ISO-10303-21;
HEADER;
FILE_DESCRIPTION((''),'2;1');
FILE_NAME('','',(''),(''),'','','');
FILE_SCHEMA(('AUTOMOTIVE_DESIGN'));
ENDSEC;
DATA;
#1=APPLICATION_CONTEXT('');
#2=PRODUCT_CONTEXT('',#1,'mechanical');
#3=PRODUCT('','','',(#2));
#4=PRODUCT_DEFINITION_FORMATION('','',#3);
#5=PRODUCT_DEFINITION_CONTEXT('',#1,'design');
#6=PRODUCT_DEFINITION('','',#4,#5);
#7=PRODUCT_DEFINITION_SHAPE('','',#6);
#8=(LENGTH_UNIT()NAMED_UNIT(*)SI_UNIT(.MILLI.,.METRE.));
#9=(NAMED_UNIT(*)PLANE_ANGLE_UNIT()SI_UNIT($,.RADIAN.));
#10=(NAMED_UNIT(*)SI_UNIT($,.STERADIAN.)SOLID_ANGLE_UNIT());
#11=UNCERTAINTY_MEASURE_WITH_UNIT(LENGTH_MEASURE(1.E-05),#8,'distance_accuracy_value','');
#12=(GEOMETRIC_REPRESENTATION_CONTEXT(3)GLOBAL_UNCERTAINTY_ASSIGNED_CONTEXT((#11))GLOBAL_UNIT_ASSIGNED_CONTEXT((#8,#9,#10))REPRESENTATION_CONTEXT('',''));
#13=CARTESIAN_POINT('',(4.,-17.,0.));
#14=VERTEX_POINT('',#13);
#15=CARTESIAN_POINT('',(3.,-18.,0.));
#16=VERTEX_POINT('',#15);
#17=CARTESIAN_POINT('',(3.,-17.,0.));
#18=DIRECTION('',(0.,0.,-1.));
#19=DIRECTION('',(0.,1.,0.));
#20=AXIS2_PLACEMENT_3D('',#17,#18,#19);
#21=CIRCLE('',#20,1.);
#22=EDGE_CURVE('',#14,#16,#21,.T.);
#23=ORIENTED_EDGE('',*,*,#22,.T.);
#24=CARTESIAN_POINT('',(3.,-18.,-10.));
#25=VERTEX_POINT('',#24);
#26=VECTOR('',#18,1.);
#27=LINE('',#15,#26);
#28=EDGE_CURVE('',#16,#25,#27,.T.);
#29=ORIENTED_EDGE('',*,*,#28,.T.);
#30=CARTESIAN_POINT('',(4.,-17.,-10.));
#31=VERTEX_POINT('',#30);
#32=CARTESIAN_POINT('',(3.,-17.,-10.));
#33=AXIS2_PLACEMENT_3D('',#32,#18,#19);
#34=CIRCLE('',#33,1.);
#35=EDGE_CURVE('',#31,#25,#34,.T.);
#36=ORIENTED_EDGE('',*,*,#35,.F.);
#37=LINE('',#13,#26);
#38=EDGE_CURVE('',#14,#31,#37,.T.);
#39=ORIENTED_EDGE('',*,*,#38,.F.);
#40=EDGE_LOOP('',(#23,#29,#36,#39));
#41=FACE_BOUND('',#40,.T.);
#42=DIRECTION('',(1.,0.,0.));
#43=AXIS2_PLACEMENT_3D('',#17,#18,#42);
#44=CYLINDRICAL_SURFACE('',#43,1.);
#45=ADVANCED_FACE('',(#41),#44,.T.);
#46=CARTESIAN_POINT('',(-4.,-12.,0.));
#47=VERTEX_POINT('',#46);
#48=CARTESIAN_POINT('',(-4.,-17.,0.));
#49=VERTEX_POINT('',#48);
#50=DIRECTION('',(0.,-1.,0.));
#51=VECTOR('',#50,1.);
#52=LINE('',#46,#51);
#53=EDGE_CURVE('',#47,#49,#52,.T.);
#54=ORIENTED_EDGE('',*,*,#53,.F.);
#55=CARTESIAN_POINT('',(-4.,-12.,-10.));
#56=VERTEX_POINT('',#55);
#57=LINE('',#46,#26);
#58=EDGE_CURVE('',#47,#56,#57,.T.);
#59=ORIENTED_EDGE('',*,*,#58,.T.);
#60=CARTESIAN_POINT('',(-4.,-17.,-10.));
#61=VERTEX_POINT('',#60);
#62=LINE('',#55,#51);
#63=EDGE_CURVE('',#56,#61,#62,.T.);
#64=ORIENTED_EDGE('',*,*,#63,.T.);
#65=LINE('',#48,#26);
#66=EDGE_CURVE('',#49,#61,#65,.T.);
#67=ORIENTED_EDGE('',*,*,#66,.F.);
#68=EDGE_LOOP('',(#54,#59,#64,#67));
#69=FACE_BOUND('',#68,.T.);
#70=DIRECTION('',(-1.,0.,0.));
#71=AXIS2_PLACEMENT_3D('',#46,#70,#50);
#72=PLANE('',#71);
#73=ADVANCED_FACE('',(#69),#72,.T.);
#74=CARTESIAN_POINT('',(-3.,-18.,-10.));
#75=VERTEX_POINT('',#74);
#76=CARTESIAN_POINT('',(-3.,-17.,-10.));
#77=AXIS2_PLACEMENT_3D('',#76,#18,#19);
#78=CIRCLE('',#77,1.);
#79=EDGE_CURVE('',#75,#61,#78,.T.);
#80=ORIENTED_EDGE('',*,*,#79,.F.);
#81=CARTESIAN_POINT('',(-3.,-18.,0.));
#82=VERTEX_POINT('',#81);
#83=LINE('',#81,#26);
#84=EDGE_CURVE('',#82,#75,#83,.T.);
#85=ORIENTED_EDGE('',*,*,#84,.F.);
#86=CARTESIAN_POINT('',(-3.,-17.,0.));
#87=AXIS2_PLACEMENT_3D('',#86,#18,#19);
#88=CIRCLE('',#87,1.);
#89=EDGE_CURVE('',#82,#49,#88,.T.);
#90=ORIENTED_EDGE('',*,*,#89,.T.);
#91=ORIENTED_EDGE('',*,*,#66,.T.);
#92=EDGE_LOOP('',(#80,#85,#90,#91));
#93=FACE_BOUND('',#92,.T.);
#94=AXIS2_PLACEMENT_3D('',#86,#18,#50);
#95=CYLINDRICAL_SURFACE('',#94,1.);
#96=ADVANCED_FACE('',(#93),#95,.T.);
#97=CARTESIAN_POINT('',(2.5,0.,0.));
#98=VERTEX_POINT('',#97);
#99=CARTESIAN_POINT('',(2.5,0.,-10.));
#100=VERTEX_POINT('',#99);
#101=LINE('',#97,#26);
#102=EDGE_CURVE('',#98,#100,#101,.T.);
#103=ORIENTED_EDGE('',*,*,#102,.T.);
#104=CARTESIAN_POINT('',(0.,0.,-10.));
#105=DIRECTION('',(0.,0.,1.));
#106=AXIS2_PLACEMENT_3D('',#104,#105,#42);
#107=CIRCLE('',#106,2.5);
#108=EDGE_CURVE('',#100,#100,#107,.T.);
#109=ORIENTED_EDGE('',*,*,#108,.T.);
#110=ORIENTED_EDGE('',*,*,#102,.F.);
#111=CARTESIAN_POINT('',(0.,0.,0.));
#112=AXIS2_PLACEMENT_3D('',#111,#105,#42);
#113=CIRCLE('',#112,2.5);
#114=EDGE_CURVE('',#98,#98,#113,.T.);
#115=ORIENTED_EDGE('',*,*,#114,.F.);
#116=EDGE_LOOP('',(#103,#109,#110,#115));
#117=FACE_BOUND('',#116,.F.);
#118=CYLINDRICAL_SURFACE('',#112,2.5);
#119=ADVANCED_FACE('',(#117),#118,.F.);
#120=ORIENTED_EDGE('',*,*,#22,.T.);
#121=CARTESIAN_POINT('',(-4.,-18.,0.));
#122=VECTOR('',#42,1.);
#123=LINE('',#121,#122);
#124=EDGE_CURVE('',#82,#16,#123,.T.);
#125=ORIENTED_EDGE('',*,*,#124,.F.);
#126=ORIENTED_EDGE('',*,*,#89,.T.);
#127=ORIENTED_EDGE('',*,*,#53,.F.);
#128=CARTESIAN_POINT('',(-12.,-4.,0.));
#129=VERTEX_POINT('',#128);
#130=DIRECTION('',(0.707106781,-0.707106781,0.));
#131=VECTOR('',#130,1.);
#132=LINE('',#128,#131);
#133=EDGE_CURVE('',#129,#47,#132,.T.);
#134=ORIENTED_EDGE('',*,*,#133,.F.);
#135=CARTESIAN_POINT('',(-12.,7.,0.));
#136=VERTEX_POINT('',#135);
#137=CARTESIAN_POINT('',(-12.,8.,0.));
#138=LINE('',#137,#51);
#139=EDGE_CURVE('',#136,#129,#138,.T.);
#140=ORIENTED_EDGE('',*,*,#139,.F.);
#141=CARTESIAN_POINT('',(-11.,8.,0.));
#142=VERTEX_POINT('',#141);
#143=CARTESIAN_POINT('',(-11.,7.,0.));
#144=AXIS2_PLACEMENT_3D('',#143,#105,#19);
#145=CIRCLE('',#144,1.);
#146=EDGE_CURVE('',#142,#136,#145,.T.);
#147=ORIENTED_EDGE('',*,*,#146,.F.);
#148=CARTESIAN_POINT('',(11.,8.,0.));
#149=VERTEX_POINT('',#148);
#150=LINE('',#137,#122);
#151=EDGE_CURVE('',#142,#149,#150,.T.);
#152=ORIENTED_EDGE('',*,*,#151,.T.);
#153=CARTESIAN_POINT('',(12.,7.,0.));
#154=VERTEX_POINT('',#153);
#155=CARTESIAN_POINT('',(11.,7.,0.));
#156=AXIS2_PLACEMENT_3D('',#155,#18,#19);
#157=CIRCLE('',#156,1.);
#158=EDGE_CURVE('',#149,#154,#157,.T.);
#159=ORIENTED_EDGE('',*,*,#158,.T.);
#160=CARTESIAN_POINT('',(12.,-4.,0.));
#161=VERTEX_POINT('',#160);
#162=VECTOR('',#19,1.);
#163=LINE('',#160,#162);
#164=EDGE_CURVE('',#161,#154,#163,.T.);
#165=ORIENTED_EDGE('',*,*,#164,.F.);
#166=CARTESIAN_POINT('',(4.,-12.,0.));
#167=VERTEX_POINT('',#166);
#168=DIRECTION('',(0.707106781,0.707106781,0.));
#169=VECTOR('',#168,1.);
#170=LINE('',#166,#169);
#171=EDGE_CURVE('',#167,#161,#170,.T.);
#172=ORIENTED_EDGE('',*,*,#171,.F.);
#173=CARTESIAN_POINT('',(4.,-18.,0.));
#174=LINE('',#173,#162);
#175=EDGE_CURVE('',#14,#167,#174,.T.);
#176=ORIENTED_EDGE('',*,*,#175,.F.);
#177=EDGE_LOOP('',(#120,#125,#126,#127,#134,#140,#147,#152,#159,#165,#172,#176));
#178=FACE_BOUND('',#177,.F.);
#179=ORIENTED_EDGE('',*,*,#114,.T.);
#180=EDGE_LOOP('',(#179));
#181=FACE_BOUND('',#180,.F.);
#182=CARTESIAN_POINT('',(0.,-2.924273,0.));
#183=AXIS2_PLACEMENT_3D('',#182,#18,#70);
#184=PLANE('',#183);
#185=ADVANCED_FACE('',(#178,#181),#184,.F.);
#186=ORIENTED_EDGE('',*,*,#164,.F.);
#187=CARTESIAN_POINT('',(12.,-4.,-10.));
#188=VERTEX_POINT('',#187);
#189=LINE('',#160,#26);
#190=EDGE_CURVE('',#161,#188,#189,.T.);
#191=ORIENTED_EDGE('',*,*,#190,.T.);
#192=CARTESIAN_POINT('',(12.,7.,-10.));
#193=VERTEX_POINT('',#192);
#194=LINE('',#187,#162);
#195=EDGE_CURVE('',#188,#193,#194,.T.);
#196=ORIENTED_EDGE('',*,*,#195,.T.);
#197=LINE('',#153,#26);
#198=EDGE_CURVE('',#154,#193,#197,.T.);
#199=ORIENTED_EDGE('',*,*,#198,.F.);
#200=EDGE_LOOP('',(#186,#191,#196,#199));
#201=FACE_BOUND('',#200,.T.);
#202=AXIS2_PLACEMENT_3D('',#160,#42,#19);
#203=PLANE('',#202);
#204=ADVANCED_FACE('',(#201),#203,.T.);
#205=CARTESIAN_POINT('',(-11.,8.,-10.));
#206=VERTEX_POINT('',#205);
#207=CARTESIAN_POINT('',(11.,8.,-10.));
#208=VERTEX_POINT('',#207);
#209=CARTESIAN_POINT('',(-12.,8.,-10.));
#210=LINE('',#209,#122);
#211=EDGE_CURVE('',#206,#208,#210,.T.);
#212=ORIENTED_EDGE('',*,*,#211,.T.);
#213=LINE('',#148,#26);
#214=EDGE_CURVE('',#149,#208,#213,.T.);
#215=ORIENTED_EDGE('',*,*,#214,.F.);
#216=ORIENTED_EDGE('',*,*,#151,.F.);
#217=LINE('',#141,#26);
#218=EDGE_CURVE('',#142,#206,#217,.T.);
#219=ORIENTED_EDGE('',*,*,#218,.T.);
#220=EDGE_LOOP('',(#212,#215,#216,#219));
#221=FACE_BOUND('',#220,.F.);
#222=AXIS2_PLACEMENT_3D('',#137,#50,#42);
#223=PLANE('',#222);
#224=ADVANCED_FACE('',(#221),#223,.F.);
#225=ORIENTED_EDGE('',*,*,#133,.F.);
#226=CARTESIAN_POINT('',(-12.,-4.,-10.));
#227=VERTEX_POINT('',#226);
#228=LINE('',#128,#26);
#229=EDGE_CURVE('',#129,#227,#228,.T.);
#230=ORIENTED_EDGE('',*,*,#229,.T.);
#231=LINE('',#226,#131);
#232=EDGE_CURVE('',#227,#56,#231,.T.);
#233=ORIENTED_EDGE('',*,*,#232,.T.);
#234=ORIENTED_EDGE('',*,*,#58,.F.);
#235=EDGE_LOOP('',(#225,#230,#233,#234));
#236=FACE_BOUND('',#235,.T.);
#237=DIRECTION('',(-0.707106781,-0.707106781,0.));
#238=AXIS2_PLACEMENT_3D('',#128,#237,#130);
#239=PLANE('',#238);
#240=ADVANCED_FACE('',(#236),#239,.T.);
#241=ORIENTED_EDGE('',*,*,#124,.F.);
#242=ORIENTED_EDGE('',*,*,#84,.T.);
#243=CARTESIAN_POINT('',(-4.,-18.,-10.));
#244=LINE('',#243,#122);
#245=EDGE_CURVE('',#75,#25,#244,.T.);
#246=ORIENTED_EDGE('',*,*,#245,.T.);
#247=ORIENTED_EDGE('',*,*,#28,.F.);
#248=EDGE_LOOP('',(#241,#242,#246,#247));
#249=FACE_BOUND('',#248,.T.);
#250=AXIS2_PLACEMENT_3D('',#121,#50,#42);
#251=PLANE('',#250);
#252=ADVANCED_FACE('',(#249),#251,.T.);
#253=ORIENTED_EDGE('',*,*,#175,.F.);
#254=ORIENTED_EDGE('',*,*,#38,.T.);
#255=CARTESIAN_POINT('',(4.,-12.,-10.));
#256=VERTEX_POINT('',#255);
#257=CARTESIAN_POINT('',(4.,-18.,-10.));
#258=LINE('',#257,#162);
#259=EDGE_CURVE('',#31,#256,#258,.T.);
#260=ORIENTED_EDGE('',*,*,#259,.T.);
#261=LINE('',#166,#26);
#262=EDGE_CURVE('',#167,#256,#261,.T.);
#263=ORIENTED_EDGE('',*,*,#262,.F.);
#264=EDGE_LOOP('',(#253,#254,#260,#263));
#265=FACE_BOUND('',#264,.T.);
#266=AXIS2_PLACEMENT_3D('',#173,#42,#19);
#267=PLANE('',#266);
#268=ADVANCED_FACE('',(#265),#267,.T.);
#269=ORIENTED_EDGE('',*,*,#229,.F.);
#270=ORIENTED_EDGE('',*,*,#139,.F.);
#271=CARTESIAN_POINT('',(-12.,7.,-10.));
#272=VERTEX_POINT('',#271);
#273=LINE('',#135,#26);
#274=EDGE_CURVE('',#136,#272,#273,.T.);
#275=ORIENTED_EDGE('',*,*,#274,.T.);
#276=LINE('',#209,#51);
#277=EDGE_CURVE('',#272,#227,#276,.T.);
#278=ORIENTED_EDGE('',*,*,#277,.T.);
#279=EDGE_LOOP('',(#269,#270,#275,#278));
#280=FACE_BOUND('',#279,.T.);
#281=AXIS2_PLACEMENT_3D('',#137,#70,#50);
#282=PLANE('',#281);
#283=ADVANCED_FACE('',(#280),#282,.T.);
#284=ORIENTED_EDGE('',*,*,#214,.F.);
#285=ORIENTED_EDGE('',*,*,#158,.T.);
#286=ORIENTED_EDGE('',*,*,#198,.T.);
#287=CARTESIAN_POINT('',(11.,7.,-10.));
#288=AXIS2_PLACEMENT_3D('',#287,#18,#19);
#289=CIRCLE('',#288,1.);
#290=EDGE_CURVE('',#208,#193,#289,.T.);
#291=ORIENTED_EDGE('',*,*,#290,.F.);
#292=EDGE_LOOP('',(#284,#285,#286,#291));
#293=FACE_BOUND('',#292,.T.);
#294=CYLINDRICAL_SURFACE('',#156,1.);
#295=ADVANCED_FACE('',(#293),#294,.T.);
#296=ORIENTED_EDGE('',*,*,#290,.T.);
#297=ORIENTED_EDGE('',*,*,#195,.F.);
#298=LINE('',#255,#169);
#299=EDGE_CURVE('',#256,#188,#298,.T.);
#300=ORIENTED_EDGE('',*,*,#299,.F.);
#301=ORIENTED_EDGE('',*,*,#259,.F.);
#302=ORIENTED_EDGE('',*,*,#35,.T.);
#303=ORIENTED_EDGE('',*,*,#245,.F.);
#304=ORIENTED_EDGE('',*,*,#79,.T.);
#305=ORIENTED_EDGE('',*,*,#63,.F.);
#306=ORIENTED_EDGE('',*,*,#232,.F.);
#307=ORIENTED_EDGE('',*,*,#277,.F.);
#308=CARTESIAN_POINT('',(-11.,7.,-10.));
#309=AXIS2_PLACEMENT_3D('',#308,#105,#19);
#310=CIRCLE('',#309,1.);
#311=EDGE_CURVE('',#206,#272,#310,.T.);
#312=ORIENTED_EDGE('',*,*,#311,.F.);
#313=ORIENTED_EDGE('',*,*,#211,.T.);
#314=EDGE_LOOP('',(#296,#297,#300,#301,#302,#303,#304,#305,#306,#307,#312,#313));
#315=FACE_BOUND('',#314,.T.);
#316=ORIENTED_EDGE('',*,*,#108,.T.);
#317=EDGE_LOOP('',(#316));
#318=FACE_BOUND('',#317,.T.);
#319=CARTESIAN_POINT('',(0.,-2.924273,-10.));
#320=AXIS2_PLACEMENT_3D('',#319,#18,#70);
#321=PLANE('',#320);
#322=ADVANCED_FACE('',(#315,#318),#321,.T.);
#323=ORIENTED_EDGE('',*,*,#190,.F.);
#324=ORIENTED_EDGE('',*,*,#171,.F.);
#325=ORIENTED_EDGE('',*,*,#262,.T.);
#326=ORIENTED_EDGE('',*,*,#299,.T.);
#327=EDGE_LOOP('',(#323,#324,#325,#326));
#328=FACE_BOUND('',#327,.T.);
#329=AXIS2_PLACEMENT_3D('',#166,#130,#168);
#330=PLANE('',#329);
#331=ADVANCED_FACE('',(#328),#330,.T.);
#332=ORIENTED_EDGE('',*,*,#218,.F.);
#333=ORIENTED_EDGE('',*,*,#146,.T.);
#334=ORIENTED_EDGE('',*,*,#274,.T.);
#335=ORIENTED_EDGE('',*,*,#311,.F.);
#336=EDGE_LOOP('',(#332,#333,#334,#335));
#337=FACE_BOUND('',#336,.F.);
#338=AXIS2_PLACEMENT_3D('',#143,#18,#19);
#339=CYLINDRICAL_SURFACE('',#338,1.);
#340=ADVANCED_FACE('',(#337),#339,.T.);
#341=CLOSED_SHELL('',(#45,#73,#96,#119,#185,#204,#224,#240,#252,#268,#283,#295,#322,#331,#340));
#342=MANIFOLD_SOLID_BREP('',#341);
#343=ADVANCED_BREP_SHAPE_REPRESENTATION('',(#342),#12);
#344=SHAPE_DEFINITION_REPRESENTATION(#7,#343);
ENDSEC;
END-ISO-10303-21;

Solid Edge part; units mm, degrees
sketch "Sketch1" plane through (0, 0, 0) normal (0, 0, 1) x (1, 0, 0)
  line L0 (-12, 8) -> (12, 8)
  line L1 (12, -4) -> (12, 8)
  line L2 (4, -12) -> (12, -4)
  line L3 (4, -18) -> (4, -12)
  line L4 (-4, -18) -> (4, -18)
  line L5 (-4, -12) -> (-4, -18)
  line L6 (-12, -4) -> (-4, -12)
  line L7 (-12, 8) -> (-12, -4)
  circle A0 centre (0, 0) radius 2.5
  dimension "D1" = 12
  dimension "D2" = 8
  dimension "D3" = 5
  dimension "D4" = 24
  dimension "D5" = 8
  dimension "D6" = 6
extrude "Protrusion1" add sketch "Sketch1" against normal blind 10
fillet "Round_1" radius 1 4 edges at (12, 8, -5) (-12, 8, -5) (4, -18, -5) (-4, -18, -5)
